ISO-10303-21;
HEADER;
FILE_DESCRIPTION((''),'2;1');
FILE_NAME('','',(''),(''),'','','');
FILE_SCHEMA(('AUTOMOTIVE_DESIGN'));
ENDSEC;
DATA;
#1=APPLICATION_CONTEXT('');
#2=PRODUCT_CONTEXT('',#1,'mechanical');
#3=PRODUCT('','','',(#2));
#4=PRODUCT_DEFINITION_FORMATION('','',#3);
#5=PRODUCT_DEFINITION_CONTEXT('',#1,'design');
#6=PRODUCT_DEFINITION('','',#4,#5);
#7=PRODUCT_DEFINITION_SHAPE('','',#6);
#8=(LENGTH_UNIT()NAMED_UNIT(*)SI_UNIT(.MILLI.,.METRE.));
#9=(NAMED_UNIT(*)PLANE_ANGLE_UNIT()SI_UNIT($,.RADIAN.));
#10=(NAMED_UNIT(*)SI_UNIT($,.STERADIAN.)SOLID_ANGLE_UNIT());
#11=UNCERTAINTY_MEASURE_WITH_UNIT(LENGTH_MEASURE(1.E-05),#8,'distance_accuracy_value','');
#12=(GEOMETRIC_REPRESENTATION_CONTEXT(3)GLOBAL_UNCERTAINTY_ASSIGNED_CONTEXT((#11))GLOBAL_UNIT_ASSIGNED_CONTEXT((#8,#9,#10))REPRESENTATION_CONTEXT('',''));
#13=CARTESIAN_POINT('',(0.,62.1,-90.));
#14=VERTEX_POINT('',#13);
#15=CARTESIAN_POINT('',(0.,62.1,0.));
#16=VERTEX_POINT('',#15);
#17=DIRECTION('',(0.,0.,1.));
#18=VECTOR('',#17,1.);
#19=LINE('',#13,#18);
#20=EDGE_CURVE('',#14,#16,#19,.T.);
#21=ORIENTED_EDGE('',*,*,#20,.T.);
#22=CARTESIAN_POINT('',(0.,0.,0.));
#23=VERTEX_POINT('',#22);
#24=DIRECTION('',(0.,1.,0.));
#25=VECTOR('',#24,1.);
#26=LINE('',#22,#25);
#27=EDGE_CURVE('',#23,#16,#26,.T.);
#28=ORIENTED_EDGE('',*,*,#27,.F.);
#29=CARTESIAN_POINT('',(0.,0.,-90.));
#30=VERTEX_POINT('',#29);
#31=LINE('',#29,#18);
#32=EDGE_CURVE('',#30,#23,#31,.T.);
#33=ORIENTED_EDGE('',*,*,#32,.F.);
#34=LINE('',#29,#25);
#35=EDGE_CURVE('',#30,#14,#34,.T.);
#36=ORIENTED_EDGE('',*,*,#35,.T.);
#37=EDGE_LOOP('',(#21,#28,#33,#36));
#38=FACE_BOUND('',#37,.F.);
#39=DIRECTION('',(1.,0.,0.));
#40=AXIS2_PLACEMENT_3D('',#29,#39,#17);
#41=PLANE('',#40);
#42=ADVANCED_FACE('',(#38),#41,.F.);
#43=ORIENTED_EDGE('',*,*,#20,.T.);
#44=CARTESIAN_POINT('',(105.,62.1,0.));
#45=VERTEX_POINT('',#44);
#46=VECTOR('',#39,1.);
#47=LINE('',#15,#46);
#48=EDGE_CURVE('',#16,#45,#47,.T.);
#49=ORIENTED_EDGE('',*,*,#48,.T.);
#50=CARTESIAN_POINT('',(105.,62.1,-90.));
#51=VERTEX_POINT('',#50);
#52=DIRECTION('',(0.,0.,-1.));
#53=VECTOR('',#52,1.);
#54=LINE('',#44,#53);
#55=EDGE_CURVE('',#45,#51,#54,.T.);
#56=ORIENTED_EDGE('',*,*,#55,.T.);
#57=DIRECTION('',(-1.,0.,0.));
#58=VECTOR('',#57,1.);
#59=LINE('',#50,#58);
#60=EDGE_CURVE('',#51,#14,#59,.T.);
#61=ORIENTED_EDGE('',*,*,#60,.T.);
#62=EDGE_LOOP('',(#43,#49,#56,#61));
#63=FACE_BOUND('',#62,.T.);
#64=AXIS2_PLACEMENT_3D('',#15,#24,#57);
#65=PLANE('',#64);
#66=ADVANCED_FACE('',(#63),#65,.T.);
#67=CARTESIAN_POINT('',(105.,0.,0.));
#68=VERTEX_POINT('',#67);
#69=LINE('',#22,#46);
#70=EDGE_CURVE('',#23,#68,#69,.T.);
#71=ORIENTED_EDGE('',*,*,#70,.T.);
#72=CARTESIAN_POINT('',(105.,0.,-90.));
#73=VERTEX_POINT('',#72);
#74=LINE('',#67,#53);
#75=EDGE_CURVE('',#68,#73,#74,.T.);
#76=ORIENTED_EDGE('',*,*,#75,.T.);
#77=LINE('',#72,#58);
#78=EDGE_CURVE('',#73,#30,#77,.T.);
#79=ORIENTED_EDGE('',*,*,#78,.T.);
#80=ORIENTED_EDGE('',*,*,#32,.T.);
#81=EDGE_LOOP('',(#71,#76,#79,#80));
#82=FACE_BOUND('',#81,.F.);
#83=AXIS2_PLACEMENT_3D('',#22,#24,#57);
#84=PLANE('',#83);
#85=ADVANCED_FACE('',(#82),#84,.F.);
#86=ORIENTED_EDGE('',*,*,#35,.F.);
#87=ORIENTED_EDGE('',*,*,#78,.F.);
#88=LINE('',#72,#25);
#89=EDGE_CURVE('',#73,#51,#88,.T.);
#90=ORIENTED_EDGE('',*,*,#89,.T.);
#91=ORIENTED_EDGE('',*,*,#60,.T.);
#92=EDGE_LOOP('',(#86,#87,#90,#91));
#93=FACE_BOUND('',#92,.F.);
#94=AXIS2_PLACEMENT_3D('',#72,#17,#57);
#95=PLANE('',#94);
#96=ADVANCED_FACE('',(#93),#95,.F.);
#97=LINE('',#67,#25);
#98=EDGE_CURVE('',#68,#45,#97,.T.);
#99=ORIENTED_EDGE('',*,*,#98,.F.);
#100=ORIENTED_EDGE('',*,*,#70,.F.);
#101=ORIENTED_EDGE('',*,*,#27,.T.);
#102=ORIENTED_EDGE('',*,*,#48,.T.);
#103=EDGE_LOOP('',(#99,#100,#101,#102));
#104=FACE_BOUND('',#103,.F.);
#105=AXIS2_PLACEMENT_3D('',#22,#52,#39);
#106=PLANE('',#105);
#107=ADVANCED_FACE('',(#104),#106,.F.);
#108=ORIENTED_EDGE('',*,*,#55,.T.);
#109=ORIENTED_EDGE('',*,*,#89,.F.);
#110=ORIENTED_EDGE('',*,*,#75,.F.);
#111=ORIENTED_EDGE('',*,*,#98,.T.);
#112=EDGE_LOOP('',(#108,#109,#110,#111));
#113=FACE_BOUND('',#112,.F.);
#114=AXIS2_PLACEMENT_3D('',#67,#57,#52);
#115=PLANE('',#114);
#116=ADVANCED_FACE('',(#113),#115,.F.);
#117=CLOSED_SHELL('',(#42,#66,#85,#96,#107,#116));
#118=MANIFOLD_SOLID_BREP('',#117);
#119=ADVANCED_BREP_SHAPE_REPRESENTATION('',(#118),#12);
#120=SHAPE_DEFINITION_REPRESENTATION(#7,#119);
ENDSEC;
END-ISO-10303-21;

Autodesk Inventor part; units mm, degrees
ref_plane "YZ Plane" through (0, 0, 0) normal (1, 0, 0) x (0, 1, 0)
ref_plane "XZ Plane" through (0, 0, 0) normal (0, 1, 0) x (-1, 0, 0)
ref_plane "XY Plane" through (0, 0, 0) normal (0, 0, 1) x (1, 0, 0)
sketch "Sketch1" plane through (0, 0, 0) normal (0, 1, 0) x (-1, 0, 0)
  line L0 (0, 0) -> (-105, 0)
  line L1 (-105, 0) -> (-105, -90)
  line L2 (-105, -90) -> (0, -90)
  line L3 (0, -90) -> (0, 0)
  dimension "d0" = 105
  dimension "d1" = 90
extrude "Extrusion1" add sketch "Sketch1" along normal blind 62.1
properties part number "din_pwr_supply"
